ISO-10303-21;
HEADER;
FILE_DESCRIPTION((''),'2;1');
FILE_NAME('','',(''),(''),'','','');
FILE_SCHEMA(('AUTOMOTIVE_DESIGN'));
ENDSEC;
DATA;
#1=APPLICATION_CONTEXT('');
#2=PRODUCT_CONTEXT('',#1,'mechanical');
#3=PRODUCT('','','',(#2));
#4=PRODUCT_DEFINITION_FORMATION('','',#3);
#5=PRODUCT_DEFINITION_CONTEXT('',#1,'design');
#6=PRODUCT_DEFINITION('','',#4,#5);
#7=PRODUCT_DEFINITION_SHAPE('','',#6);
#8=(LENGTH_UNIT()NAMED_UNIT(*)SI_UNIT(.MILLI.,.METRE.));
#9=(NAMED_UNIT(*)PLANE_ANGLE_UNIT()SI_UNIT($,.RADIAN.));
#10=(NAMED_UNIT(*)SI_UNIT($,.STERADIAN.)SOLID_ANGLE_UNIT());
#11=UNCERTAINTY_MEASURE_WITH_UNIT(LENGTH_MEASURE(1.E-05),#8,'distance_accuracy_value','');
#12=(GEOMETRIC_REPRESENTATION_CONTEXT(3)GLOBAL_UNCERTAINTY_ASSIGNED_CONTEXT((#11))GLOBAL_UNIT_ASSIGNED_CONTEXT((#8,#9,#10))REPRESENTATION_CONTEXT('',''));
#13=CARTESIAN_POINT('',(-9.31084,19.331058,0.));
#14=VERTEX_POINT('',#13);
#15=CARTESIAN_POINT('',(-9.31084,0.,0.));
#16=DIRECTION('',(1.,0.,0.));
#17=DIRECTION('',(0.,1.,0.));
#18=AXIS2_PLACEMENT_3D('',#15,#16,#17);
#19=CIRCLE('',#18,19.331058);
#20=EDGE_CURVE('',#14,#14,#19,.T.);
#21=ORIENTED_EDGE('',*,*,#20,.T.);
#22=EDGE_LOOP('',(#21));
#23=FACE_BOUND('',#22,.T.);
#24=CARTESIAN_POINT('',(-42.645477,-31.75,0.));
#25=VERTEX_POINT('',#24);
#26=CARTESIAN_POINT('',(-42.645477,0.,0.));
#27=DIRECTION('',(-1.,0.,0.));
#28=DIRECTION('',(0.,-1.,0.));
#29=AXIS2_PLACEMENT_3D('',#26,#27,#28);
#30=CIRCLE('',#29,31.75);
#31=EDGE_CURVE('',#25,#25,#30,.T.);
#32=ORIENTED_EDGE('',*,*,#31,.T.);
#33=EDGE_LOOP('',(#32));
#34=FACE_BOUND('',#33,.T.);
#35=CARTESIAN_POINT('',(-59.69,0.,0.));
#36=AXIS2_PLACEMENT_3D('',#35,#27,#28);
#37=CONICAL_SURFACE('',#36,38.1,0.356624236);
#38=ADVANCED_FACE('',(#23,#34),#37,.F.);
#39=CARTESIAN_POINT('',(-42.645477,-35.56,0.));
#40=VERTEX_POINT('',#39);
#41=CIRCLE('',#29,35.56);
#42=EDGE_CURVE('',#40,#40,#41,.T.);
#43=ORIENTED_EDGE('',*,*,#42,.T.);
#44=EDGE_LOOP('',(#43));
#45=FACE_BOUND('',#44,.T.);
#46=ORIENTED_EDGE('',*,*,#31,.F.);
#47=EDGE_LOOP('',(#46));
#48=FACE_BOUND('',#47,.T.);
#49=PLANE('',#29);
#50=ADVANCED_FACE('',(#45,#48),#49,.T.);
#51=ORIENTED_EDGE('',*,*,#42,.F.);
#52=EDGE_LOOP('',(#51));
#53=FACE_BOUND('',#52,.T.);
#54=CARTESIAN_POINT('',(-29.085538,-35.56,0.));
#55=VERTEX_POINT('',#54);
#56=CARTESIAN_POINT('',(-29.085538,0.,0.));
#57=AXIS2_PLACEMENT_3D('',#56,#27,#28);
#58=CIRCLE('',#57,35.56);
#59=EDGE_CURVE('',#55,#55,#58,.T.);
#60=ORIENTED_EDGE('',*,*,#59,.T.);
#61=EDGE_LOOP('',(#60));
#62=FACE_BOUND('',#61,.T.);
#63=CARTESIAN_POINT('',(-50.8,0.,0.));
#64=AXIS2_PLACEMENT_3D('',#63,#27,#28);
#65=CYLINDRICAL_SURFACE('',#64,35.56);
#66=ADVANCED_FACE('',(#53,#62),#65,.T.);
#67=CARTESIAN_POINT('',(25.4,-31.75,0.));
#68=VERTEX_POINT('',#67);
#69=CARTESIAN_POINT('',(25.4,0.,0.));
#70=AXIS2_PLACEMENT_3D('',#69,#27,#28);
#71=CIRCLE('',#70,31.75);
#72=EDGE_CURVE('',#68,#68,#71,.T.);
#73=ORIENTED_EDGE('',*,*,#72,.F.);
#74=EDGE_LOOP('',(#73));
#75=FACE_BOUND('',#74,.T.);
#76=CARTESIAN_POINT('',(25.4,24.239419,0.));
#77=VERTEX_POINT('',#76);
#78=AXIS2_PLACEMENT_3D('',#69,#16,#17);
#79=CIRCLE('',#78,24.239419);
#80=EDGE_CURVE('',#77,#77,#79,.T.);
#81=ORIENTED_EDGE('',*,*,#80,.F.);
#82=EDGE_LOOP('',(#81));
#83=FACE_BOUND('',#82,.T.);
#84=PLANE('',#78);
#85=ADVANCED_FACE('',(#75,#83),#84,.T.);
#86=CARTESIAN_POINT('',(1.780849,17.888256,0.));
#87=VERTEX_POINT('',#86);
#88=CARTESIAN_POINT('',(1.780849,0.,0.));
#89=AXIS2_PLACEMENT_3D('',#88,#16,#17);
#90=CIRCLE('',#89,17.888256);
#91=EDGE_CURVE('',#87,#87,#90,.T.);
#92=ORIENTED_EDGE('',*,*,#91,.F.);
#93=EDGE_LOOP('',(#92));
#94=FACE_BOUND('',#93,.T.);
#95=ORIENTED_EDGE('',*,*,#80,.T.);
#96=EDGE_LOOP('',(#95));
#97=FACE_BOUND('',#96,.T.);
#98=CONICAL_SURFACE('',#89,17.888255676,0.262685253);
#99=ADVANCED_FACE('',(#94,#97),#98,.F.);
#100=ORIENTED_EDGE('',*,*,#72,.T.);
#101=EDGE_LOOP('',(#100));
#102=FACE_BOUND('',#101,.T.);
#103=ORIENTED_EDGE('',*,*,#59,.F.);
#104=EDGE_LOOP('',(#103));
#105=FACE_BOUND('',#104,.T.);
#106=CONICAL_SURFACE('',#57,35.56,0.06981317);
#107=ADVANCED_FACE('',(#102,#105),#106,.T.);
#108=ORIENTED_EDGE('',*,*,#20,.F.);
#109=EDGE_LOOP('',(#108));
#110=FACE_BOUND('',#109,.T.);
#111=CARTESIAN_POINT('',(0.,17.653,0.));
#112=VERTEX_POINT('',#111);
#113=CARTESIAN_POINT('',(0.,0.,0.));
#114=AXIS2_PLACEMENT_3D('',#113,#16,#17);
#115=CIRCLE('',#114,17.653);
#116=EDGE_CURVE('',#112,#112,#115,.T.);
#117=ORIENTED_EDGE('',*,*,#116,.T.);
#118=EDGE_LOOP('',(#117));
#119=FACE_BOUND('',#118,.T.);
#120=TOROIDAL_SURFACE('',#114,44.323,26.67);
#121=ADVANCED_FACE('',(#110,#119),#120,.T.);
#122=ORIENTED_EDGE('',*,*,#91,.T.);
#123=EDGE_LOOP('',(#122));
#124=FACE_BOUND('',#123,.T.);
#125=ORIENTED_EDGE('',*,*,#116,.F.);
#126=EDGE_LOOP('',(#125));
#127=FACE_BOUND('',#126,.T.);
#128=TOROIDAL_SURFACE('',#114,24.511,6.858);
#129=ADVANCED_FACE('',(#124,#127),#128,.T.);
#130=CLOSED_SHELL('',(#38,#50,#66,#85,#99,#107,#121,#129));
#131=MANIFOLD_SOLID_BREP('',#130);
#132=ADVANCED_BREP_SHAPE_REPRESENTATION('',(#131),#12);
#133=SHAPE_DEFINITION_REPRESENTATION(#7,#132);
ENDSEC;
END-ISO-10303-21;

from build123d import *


with BuildPart() as part:
    # Sketch1 → Revolve1 (revolve)
    with BuildSketch(Plane.XY):
        with BuildLine():
            ThreePointArc((-9.310840107, 19.331058169), (-4.730423414, 18.075866931), (0, 17.653))
            ThreePointArc((0, 17.653), (0.898160183, 17.712068298), (1.780848569, 17.888255676))
            Line((1.780848569, 17.888255676), (90.17, 41.656))
            Line((90.17, 41.656), (-59.69, 38.1))
            Line((-59.69, 38.1), (-9.310840107, 19.331058169))
        make_face()
    revolve(axis=Axis((0, 0, 0), (-1, 0, 0)))

    # Sketch2 → Cut-Revolve1 (revolve, cut)
    with BuildSketch(Plane.XY):
        Polygon((-29.085538438, 35.56), (25.4, 31.75), (25.4, 0), (94.515783367, 0), (94.515783367, 51.74538216), (-80.408492958, 51.74538216), (-80.408492958, 0), (-50.8, 0), (-50.8, 31.75), (-42.645476755, 31.75), (-42.645476755, 35.56), align=None)
    revolve(axis=Axis((-50.8, 0, 0), (1, 0, 0)), mode=Mode.SUBTRACT)


solid = part.part
